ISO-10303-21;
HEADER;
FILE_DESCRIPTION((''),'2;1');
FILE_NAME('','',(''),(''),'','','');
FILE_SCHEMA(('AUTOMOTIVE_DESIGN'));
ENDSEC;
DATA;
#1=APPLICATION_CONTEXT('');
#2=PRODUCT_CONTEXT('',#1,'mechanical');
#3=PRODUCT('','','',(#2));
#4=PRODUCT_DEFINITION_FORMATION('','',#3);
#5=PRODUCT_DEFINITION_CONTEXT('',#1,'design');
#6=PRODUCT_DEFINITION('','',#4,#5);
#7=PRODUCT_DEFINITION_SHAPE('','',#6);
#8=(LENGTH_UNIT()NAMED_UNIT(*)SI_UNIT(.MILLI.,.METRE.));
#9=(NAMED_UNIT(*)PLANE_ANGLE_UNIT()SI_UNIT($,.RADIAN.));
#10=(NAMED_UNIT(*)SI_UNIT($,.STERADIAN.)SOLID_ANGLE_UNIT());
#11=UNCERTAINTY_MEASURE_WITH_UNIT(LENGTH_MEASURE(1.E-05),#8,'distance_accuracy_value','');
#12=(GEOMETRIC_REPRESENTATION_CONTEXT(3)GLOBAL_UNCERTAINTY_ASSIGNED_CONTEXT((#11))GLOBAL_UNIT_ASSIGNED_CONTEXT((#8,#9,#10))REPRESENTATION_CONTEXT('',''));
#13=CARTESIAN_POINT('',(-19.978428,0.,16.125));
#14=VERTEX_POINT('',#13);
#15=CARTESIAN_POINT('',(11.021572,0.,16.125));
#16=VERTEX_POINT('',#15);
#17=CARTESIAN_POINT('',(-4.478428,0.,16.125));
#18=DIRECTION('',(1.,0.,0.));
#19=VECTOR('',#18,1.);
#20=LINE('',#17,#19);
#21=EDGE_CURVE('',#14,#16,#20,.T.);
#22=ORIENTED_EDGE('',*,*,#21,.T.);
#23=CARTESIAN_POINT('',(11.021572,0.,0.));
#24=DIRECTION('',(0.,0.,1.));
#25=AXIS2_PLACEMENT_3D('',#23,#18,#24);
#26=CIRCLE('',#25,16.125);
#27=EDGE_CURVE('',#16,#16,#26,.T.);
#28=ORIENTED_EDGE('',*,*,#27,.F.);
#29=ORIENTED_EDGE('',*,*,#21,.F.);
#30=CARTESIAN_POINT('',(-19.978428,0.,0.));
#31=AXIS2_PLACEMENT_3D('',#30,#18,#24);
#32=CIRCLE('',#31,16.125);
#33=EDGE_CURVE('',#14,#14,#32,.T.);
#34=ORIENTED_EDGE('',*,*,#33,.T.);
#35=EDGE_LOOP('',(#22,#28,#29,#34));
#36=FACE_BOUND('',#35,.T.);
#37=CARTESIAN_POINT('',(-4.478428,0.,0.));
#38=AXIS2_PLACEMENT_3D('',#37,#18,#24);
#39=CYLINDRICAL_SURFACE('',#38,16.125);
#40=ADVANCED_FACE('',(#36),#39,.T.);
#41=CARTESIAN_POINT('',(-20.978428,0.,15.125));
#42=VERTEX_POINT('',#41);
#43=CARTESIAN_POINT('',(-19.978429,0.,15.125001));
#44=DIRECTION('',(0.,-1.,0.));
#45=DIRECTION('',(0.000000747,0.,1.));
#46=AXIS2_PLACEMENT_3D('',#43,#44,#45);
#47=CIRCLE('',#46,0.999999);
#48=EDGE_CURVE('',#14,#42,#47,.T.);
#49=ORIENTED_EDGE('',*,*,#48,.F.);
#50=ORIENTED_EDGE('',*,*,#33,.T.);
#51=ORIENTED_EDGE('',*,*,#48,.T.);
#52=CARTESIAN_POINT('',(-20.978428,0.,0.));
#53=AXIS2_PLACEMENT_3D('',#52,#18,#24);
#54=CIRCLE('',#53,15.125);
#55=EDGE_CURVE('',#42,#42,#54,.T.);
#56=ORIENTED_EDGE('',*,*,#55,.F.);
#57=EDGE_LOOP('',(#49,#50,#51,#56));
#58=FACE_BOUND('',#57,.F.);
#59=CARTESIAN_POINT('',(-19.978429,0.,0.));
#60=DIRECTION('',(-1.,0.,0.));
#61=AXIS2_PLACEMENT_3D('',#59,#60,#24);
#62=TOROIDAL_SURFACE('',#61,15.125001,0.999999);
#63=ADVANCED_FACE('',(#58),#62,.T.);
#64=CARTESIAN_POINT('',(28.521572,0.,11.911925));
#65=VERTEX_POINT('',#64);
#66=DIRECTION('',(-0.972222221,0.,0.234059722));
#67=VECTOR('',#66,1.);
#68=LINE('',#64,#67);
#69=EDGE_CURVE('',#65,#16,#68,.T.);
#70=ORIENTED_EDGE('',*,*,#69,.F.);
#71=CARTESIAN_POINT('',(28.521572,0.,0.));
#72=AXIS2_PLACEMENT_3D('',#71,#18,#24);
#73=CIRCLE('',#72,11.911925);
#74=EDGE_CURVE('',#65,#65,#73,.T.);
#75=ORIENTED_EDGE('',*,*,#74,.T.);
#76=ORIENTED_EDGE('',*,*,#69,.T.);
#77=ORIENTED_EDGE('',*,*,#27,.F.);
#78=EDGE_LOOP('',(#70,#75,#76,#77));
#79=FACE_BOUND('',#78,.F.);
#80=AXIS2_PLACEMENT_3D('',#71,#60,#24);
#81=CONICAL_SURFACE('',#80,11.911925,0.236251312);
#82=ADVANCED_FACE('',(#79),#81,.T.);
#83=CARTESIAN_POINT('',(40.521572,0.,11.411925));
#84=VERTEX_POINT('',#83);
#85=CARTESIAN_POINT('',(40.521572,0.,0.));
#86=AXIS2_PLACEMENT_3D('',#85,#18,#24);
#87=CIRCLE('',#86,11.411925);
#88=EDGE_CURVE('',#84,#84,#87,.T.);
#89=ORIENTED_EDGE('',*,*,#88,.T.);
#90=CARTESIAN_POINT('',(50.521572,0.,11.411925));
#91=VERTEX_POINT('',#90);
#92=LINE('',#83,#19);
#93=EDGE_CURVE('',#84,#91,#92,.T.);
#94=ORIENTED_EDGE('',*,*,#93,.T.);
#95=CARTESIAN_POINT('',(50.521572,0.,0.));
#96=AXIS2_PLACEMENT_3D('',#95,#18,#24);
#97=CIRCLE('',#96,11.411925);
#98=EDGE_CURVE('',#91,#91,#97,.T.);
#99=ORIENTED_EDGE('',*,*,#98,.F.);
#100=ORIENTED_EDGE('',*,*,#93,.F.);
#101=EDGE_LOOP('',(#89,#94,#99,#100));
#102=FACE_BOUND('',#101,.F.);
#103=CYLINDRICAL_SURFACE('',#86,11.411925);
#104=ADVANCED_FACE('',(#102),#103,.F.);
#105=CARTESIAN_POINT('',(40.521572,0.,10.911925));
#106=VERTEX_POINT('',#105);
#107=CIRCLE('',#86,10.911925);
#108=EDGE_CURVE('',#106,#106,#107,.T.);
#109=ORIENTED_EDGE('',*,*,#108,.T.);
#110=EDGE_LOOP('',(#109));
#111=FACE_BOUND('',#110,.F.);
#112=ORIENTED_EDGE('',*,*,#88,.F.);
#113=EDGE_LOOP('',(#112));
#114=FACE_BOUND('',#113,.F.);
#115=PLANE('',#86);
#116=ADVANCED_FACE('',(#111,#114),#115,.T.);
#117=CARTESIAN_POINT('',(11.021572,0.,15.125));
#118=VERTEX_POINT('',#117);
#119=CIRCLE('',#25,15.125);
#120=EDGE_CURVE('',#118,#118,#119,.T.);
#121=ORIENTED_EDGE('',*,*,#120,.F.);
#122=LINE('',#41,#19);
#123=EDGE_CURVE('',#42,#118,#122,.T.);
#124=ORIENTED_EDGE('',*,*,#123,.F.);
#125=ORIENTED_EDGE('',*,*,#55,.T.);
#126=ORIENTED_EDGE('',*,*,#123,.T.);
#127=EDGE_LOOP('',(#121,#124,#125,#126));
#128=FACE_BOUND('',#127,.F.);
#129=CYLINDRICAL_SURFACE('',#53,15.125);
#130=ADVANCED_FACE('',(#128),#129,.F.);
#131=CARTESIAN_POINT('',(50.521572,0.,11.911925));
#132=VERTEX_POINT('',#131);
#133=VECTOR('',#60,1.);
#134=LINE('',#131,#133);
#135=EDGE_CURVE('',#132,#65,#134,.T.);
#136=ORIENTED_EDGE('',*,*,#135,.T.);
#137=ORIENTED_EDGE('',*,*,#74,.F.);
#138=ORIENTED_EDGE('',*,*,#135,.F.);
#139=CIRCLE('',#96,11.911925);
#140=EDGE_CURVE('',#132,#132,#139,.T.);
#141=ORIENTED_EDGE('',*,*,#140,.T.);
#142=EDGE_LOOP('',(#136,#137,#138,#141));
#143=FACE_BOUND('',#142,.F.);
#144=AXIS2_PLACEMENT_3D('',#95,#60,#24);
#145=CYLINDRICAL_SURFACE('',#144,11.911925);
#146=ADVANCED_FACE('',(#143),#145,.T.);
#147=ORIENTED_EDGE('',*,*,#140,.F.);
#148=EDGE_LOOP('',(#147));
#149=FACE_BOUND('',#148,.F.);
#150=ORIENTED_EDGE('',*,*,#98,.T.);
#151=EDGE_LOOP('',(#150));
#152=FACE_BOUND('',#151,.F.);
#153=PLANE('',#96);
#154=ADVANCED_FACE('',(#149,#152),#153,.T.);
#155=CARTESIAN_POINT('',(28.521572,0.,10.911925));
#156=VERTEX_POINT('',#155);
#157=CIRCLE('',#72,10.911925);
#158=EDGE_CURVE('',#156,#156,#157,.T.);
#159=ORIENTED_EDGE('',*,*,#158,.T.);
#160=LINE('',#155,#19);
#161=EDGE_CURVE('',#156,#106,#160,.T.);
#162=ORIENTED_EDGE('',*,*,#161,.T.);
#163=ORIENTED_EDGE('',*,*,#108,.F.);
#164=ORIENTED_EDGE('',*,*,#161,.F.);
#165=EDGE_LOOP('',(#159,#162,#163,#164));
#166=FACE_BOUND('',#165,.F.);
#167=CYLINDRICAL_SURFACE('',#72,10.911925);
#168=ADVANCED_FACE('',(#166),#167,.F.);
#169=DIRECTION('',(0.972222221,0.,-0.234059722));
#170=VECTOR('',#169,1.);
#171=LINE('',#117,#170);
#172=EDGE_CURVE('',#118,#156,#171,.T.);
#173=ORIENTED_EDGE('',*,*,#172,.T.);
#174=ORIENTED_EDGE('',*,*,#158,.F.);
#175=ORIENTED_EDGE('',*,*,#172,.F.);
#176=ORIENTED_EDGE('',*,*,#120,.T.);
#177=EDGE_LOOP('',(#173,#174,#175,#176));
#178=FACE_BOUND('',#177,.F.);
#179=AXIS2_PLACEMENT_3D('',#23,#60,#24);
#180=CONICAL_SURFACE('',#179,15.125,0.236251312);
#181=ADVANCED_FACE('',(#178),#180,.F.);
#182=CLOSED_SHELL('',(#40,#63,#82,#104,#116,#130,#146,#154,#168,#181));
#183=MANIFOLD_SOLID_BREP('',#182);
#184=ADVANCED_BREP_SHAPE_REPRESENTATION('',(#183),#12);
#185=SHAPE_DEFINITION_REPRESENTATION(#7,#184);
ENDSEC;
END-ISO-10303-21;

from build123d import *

# Parameters (mm, degrees)
F0_W = 31
F0_H = 1


with BuildPart() as f1:
    # F0 (on Front) → F1 (revolve)
    with BuildSketch(Plane.XZ):
        with BuildLine():
            Line((-19.978428, 15.125), (-19.978428, 16.125))
            ThreePointArc((-19.978428, 16.125), (-20.685535, 15.832107), (-20.978428, 15.125))
            Line((-20.978428, 15.125), (-19.978428, 15.125))
        make_face()
        with Locations((-4.478428, 15.625)):
            Rectangle(F0_W, F0_H)
        Polygon((28.521572, 11.911925), (11.021572, 16.125), (11.021572, 15.125), (28.521572, 10.911925), align=None)
        Polygon((50.521572, 11.911925), (28.521572, 11.911925), (28.521572, 10.911925), (40.521572, 10.911925), (40.521572, 11.411925), (50.521572, 11.411925), align=None)
    revolve(axis=Axis((3.771572, 0, 0), (1, 0, 0)))


solid = f1.part
